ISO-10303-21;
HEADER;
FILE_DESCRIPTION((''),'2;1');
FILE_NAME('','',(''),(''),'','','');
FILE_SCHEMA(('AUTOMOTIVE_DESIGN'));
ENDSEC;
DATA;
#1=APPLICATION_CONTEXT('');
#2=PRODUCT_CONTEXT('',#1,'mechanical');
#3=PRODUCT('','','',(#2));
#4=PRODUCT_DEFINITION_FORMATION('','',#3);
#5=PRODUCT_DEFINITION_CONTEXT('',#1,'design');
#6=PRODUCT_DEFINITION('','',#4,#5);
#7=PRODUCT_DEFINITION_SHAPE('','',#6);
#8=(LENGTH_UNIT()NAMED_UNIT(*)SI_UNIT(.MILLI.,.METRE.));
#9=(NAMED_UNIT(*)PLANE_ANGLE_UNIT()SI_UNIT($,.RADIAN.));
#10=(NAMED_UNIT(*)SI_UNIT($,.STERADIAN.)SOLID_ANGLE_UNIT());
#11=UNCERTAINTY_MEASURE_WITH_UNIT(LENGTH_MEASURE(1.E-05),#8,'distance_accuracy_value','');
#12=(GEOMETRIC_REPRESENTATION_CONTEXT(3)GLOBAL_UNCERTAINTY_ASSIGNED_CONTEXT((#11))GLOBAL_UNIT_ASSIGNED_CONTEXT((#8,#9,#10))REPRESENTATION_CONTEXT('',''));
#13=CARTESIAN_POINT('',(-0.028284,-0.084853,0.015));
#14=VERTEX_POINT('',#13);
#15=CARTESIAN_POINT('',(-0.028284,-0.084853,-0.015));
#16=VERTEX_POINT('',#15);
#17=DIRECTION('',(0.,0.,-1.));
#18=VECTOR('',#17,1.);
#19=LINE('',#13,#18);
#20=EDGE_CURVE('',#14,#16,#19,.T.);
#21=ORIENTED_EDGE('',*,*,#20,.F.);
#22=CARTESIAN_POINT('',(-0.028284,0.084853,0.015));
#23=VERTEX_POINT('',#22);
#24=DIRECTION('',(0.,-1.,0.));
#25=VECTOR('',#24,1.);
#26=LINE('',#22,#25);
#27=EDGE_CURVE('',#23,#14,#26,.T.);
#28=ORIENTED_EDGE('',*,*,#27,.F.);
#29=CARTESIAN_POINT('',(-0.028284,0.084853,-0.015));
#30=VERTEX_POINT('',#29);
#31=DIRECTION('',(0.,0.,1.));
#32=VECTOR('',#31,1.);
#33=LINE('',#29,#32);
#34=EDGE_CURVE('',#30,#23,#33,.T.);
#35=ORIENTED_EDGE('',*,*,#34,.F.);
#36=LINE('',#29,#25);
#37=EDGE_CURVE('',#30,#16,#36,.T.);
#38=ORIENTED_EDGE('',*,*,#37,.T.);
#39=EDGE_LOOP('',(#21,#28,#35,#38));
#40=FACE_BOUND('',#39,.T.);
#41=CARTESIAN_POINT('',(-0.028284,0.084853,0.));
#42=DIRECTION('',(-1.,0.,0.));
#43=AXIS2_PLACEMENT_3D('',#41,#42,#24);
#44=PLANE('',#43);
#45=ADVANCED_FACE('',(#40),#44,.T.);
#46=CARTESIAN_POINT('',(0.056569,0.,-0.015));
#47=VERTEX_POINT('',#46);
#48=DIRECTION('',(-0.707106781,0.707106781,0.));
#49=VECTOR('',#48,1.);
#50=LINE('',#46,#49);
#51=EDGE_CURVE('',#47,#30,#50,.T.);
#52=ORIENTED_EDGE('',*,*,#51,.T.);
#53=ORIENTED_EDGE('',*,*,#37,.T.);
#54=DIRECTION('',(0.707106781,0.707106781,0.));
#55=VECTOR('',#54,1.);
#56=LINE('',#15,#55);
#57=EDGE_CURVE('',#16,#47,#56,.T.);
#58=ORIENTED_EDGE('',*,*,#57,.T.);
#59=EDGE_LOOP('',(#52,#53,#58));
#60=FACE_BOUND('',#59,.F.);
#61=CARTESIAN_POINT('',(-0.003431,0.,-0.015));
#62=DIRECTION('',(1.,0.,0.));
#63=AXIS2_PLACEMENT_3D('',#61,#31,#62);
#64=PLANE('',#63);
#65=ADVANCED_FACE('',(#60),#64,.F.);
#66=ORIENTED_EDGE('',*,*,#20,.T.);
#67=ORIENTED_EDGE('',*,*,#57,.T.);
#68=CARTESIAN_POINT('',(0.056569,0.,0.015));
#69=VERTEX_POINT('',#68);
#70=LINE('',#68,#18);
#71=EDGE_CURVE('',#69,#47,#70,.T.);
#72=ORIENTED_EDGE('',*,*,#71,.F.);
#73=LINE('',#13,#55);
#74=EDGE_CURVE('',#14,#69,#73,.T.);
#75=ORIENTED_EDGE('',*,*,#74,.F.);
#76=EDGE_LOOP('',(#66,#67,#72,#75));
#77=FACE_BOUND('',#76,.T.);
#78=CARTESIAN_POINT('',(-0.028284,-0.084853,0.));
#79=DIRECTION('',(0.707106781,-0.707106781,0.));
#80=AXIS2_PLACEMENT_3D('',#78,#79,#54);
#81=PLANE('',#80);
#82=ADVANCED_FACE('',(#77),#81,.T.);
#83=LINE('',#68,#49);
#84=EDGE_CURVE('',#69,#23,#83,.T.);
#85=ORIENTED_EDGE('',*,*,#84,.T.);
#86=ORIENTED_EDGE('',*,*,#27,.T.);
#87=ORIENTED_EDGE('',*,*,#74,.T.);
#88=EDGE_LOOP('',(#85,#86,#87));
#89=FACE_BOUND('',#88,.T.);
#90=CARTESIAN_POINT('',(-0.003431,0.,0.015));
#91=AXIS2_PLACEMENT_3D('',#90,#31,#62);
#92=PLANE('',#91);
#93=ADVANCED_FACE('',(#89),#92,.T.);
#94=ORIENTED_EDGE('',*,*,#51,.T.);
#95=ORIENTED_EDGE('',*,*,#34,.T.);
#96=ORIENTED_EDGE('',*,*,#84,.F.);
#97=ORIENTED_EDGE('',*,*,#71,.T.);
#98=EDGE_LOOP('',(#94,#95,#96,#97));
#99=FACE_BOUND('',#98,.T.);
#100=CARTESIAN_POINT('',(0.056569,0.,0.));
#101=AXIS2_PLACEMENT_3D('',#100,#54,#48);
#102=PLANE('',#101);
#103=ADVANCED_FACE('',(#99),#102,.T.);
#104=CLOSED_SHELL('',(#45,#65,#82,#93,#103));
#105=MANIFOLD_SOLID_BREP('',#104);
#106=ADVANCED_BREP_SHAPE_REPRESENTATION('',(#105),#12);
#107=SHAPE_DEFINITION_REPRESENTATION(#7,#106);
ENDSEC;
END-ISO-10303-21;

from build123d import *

# Parameters (mm, degrees)
PAD_DEPTH = 0.015


with BuildPart() as part:
    # Sketch → Pad (new body, symmetric)
    with BuildSketch(Plane.XY):
        Polygon((0.056569, 0), (-0.028284, 0.084853), (-0.028284, -0.084853), align=None)
    extrude(amount=PAD_DEPTH, both=True)


solid = part.part
